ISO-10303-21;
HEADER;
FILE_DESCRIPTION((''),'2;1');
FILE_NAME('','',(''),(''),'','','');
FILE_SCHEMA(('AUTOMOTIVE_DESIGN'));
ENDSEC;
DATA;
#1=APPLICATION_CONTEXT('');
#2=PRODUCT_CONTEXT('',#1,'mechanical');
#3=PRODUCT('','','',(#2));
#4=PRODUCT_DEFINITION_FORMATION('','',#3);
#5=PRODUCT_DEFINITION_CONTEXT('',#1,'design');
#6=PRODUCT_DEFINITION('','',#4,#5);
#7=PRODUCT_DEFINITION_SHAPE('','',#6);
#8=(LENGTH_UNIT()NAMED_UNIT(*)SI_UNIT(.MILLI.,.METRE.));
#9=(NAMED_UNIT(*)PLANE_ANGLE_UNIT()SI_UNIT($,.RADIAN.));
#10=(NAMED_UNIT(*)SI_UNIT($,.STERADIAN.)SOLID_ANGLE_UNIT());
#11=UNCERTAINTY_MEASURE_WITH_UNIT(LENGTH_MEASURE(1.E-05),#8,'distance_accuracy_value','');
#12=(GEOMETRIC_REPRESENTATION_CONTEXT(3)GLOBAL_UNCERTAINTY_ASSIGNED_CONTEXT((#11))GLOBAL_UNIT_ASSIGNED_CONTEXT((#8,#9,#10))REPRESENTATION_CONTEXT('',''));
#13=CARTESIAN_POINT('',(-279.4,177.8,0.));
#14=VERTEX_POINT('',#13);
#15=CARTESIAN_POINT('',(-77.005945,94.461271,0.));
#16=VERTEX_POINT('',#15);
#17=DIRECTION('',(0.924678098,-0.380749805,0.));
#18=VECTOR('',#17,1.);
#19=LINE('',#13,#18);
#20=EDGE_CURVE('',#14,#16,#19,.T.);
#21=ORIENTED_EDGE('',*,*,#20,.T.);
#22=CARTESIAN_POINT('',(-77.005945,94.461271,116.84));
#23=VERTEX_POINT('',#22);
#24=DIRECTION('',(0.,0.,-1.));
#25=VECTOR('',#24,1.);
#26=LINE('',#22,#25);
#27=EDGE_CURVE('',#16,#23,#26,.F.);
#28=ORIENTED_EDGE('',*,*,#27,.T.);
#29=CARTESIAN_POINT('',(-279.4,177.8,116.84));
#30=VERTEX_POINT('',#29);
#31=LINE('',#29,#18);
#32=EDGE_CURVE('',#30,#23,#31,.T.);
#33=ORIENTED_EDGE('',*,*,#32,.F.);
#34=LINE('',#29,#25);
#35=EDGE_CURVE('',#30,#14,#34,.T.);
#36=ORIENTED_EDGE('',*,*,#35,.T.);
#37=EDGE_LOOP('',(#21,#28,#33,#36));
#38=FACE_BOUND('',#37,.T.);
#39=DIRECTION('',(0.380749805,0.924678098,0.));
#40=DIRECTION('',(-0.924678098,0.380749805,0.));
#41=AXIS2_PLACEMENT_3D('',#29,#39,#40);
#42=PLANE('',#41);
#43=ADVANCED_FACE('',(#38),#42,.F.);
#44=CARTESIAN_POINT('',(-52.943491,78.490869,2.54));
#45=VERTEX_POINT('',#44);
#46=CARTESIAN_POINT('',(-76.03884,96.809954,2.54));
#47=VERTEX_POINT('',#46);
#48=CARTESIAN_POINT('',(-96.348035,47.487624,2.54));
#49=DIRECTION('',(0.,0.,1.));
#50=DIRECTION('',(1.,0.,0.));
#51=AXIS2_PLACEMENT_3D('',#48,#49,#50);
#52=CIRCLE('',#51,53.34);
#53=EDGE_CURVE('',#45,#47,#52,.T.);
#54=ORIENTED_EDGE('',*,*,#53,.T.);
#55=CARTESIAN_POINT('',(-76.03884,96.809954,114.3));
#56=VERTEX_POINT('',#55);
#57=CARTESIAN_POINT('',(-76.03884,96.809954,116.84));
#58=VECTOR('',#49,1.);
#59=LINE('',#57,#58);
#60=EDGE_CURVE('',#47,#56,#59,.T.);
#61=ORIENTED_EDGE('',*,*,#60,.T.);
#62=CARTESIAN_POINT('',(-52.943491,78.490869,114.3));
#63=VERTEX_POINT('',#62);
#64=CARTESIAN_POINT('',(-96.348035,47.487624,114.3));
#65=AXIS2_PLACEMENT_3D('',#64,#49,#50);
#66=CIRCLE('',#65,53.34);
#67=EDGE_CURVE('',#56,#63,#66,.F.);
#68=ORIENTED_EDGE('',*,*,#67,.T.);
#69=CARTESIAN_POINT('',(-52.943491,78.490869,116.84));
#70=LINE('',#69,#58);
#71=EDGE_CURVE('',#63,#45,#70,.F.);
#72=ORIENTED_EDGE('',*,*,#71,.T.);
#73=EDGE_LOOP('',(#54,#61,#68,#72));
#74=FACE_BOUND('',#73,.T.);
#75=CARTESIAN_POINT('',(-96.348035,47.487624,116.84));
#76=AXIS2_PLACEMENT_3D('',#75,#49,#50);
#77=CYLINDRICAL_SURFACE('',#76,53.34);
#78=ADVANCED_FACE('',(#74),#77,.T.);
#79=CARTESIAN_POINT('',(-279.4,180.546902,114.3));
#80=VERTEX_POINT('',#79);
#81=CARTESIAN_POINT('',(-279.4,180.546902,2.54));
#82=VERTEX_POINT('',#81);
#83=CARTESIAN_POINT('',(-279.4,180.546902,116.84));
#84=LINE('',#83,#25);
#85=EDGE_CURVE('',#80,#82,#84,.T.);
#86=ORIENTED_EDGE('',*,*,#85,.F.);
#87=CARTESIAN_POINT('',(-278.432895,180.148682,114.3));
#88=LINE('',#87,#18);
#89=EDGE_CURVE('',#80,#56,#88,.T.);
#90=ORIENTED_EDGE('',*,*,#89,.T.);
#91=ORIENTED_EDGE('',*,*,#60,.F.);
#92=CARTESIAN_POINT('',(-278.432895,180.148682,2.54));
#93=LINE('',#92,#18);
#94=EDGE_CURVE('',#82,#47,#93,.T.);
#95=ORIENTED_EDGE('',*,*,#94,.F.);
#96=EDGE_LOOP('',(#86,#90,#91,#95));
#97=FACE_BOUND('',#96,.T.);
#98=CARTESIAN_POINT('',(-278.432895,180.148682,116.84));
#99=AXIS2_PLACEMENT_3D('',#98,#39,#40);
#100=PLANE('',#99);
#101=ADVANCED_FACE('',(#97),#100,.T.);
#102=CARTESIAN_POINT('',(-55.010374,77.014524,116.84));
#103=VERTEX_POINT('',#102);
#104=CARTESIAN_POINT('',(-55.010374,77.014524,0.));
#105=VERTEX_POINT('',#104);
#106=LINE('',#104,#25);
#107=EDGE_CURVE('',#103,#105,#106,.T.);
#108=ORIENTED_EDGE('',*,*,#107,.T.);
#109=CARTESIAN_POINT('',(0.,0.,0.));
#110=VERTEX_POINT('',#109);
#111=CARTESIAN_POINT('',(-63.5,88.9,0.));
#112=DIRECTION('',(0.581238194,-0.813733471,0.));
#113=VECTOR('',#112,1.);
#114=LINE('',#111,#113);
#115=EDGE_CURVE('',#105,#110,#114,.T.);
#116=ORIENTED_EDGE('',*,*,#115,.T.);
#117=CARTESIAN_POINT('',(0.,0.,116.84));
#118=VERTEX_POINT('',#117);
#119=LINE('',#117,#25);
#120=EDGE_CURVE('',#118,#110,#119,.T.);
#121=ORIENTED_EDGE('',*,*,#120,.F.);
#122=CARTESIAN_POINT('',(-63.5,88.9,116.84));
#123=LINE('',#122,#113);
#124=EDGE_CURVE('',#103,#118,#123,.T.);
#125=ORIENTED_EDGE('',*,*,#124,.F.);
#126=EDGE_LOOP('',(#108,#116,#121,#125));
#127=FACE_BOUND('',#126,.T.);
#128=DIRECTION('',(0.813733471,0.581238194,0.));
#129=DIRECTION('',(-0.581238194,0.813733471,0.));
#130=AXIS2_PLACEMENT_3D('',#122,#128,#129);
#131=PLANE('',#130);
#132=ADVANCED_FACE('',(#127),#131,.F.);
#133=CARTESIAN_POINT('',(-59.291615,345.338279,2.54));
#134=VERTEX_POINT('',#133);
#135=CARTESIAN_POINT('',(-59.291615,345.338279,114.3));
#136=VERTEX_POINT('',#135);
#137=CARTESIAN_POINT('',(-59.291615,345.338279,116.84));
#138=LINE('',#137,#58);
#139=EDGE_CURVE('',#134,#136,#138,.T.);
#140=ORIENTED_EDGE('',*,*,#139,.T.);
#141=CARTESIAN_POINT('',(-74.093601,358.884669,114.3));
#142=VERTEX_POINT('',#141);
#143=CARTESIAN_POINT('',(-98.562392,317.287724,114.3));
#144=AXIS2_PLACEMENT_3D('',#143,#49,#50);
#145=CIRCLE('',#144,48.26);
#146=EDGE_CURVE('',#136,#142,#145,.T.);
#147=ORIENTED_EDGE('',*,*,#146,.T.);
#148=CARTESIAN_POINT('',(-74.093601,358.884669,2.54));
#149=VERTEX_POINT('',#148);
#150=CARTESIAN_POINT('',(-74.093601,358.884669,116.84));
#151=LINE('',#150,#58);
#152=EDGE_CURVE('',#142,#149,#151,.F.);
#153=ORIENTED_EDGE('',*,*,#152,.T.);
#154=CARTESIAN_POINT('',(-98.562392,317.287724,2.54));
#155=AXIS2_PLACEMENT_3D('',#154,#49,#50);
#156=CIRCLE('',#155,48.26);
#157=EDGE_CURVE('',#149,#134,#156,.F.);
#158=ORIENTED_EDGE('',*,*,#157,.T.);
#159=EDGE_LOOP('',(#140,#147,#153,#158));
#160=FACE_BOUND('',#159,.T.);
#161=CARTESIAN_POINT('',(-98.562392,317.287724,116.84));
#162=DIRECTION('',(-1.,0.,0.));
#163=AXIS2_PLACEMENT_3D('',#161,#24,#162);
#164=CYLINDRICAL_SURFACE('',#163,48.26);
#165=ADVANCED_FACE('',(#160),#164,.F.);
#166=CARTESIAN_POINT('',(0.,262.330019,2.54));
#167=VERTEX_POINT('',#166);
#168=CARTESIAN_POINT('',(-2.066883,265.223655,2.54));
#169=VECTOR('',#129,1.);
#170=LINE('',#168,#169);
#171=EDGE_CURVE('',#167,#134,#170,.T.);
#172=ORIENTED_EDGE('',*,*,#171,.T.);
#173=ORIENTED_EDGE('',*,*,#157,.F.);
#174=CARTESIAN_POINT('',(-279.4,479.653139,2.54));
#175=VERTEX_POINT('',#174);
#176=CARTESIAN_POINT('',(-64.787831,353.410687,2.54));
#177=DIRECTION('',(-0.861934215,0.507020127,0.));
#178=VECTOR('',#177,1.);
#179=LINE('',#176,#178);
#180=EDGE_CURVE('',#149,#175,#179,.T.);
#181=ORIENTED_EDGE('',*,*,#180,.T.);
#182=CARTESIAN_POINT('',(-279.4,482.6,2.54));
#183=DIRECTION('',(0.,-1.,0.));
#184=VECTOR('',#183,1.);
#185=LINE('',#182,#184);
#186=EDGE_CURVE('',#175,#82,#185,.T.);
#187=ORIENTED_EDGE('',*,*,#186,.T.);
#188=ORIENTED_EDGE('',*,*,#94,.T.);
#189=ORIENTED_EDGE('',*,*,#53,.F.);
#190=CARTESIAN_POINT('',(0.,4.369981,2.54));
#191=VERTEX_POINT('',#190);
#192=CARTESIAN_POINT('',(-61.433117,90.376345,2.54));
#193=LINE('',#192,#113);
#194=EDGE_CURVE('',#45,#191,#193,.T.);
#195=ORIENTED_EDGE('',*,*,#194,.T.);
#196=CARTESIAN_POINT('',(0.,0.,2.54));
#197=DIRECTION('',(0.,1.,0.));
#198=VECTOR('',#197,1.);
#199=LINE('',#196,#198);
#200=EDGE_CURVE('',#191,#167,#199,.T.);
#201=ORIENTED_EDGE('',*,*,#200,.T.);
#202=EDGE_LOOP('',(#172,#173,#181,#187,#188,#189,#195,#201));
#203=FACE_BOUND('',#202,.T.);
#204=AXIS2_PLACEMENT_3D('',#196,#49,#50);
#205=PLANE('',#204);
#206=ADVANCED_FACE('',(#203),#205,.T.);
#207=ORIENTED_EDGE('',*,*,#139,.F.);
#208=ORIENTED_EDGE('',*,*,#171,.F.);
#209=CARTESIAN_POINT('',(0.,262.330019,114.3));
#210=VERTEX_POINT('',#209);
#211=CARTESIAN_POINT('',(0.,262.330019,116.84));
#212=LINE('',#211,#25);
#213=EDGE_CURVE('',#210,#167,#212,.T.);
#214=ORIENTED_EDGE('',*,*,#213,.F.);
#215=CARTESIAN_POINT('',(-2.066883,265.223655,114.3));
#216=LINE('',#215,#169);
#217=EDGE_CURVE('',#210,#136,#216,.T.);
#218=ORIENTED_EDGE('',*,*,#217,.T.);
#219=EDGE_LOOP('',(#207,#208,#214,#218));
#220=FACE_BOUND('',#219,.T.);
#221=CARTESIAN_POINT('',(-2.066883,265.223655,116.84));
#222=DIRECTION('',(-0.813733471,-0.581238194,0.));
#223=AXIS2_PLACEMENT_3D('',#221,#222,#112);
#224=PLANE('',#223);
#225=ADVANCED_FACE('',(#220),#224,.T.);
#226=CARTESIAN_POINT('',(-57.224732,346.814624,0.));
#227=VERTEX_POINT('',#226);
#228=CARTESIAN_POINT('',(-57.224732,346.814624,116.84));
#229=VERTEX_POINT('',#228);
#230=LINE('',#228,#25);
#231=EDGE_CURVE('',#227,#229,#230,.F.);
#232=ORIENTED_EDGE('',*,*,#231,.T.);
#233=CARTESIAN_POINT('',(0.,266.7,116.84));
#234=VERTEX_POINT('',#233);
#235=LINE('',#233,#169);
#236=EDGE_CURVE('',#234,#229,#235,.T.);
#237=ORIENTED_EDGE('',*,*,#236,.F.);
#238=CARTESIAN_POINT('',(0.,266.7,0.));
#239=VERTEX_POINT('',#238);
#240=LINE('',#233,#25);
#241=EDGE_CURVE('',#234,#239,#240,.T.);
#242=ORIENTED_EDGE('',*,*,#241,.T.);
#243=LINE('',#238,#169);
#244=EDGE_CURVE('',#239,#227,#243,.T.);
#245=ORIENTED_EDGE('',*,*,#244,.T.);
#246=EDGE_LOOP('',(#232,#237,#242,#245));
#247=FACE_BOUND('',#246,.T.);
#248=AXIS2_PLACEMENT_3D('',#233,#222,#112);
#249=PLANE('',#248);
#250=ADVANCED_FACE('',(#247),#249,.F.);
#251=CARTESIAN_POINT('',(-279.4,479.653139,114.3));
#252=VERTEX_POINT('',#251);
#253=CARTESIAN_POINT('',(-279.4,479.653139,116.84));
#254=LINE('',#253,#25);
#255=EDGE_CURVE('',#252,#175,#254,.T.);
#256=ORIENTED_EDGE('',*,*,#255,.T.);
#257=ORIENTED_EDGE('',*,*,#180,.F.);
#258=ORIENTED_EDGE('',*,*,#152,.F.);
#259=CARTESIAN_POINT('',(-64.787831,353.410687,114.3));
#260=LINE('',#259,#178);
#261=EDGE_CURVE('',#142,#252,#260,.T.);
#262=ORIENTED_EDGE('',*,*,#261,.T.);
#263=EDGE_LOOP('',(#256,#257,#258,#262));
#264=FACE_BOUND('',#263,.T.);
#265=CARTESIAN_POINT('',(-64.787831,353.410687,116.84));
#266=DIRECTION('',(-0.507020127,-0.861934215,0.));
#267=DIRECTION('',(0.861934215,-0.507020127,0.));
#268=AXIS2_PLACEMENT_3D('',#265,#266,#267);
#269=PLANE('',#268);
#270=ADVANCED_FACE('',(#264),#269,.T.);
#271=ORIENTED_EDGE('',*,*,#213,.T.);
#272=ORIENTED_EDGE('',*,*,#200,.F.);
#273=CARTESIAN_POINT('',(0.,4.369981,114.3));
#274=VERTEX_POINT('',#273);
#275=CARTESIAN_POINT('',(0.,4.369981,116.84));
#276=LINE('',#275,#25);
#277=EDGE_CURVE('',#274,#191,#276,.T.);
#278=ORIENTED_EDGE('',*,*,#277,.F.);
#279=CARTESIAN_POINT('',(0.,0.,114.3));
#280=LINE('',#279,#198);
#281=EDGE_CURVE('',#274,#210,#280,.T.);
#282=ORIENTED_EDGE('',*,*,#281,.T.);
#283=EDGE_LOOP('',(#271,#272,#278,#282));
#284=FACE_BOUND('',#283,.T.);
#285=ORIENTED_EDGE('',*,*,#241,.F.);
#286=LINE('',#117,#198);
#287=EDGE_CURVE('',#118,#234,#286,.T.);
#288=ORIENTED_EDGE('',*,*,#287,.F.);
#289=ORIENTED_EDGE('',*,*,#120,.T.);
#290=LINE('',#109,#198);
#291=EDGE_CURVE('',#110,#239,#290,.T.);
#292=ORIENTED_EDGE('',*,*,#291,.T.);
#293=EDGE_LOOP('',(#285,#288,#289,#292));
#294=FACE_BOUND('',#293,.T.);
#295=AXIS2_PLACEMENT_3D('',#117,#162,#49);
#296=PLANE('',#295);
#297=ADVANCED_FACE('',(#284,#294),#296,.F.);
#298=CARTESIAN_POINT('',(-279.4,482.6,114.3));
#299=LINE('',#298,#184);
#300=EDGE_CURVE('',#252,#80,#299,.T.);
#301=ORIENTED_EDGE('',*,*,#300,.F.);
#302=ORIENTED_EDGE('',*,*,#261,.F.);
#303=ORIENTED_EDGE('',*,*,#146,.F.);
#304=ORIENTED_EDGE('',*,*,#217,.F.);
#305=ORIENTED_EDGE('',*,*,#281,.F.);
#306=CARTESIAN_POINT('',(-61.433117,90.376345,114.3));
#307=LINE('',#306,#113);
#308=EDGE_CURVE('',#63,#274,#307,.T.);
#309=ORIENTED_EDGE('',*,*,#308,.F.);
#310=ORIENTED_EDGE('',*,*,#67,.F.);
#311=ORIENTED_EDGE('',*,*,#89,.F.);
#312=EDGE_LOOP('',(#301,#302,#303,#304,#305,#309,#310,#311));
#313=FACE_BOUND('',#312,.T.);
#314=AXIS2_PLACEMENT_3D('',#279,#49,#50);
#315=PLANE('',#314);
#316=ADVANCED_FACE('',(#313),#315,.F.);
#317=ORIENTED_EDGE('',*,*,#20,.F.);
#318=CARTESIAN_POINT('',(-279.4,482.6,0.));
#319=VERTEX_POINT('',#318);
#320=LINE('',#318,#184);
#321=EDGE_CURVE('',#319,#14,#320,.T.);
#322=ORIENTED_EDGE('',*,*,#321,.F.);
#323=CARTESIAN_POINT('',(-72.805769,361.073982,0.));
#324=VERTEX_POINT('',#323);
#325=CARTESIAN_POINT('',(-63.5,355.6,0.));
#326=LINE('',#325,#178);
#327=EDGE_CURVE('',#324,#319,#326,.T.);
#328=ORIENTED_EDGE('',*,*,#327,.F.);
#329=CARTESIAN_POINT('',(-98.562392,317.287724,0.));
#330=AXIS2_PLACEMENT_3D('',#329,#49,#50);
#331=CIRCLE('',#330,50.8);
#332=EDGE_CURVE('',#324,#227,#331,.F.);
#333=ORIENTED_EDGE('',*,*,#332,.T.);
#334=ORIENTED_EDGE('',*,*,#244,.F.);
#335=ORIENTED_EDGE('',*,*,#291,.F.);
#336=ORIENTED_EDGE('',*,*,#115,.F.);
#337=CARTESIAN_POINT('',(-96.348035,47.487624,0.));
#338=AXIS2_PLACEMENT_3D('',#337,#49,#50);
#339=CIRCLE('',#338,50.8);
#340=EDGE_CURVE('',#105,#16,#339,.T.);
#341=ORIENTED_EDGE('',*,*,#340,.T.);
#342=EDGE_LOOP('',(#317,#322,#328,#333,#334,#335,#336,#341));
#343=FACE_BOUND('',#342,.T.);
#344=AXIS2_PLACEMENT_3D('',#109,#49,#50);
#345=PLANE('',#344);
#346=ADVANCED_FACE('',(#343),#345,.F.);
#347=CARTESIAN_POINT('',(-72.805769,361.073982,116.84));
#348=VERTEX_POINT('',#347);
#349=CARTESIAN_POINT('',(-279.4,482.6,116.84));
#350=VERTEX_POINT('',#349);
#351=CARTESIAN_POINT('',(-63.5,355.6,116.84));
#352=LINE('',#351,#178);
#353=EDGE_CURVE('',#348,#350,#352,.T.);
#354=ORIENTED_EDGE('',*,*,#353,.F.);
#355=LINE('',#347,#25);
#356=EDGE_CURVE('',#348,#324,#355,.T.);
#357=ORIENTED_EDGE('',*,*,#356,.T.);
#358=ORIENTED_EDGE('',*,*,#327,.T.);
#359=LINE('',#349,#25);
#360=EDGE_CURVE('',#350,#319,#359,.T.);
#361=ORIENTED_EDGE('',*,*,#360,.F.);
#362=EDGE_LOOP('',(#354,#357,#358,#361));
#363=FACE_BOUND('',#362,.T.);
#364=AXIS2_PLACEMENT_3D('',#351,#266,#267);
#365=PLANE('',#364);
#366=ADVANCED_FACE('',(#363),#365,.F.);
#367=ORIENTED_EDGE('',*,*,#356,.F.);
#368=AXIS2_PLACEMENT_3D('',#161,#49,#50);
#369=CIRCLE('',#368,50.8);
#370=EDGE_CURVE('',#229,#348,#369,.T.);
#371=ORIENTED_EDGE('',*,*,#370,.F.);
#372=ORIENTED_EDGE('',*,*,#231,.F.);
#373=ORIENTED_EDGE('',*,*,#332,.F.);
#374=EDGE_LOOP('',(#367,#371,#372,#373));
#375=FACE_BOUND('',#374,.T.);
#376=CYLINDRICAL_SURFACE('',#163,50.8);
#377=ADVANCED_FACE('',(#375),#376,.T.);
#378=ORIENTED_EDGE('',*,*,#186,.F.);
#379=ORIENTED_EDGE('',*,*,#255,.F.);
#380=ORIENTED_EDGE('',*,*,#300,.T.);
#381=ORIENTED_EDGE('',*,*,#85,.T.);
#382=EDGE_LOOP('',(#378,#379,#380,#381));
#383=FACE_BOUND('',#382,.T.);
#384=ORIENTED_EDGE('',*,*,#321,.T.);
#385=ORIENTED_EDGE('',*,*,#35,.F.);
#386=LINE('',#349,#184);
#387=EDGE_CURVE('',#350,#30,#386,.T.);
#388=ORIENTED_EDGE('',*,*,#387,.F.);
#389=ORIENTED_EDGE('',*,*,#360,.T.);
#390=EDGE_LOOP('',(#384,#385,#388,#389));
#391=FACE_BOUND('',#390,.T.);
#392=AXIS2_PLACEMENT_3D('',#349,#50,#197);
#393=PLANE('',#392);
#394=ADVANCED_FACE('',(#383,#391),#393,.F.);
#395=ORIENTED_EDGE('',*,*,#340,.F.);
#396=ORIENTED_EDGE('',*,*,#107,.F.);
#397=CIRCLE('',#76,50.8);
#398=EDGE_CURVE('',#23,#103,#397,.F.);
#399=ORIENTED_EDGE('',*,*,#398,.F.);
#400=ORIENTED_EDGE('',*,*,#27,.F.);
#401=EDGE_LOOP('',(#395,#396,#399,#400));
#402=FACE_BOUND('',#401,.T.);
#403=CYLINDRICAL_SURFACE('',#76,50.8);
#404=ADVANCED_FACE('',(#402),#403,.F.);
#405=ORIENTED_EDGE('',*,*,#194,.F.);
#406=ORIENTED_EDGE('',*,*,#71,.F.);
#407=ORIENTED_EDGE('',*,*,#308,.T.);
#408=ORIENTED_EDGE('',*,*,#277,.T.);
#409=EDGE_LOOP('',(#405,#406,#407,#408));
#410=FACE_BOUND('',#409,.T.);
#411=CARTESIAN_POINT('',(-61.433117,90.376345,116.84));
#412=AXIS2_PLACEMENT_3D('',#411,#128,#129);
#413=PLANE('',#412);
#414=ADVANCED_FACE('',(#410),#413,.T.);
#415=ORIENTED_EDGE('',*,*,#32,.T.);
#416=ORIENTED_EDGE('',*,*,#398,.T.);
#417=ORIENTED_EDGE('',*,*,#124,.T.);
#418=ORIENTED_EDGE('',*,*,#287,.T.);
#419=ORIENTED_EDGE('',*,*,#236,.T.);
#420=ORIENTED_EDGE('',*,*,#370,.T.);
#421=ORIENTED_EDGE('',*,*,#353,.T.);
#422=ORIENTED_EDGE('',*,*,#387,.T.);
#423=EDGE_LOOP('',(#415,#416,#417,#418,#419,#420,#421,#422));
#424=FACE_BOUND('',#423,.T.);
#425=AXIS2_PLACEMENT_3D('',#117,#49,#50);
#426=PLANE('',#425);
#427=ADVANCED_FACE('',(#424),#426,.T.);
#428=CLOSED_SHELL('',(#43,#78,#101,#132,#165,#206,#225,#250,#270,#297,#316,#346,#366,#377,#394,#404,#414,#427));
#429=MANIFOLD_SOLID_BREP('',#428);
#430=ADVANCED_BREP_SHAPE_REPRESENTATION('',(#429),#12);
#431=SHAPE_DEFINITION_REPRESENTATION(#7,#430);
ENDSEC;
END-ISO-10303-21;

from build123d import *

# Parameters (mm, degrees)
BOSS_EXTRUDE1_DEPTH = 116.84
FILLET1_R           = 50.8
SHELL2_T            = -2.54


with BuildPart() as part:
    # Sketch1 → Boss-Extrude1 (new body)
    with BuildSketch(Plane.XY):
        Polygon((0, 0), (0, 266.7), (-63.5, 355.6), (-279.4, 482.6), (-279.4, 177.8), (-63.5, 88.9), align=None)
    extrude(amount=BOSS_EXTRUDE1_DEPTH)

    # Fillet1
    fillet1_edges = [part.edges().sort_by_distance(p)[0] for p in [
        (-63.5, 88.9, 58.42),
        (-63.5, 355.6, 58.42),
    ]]
    fillet(fillet1_edges, radius=FILLET1_R)

    # Shell2
    shell2_openings = [part.faces().sort_by_distance(p)[0] for p in [
        (-279.4, 330.2, 58.42),
        (0, 133.35, 58.42),
    ]]
    offset(amount=SHELL2_T, openings=shell2_openings, kind=Kind.INTERSECTION)


solid = part.part
